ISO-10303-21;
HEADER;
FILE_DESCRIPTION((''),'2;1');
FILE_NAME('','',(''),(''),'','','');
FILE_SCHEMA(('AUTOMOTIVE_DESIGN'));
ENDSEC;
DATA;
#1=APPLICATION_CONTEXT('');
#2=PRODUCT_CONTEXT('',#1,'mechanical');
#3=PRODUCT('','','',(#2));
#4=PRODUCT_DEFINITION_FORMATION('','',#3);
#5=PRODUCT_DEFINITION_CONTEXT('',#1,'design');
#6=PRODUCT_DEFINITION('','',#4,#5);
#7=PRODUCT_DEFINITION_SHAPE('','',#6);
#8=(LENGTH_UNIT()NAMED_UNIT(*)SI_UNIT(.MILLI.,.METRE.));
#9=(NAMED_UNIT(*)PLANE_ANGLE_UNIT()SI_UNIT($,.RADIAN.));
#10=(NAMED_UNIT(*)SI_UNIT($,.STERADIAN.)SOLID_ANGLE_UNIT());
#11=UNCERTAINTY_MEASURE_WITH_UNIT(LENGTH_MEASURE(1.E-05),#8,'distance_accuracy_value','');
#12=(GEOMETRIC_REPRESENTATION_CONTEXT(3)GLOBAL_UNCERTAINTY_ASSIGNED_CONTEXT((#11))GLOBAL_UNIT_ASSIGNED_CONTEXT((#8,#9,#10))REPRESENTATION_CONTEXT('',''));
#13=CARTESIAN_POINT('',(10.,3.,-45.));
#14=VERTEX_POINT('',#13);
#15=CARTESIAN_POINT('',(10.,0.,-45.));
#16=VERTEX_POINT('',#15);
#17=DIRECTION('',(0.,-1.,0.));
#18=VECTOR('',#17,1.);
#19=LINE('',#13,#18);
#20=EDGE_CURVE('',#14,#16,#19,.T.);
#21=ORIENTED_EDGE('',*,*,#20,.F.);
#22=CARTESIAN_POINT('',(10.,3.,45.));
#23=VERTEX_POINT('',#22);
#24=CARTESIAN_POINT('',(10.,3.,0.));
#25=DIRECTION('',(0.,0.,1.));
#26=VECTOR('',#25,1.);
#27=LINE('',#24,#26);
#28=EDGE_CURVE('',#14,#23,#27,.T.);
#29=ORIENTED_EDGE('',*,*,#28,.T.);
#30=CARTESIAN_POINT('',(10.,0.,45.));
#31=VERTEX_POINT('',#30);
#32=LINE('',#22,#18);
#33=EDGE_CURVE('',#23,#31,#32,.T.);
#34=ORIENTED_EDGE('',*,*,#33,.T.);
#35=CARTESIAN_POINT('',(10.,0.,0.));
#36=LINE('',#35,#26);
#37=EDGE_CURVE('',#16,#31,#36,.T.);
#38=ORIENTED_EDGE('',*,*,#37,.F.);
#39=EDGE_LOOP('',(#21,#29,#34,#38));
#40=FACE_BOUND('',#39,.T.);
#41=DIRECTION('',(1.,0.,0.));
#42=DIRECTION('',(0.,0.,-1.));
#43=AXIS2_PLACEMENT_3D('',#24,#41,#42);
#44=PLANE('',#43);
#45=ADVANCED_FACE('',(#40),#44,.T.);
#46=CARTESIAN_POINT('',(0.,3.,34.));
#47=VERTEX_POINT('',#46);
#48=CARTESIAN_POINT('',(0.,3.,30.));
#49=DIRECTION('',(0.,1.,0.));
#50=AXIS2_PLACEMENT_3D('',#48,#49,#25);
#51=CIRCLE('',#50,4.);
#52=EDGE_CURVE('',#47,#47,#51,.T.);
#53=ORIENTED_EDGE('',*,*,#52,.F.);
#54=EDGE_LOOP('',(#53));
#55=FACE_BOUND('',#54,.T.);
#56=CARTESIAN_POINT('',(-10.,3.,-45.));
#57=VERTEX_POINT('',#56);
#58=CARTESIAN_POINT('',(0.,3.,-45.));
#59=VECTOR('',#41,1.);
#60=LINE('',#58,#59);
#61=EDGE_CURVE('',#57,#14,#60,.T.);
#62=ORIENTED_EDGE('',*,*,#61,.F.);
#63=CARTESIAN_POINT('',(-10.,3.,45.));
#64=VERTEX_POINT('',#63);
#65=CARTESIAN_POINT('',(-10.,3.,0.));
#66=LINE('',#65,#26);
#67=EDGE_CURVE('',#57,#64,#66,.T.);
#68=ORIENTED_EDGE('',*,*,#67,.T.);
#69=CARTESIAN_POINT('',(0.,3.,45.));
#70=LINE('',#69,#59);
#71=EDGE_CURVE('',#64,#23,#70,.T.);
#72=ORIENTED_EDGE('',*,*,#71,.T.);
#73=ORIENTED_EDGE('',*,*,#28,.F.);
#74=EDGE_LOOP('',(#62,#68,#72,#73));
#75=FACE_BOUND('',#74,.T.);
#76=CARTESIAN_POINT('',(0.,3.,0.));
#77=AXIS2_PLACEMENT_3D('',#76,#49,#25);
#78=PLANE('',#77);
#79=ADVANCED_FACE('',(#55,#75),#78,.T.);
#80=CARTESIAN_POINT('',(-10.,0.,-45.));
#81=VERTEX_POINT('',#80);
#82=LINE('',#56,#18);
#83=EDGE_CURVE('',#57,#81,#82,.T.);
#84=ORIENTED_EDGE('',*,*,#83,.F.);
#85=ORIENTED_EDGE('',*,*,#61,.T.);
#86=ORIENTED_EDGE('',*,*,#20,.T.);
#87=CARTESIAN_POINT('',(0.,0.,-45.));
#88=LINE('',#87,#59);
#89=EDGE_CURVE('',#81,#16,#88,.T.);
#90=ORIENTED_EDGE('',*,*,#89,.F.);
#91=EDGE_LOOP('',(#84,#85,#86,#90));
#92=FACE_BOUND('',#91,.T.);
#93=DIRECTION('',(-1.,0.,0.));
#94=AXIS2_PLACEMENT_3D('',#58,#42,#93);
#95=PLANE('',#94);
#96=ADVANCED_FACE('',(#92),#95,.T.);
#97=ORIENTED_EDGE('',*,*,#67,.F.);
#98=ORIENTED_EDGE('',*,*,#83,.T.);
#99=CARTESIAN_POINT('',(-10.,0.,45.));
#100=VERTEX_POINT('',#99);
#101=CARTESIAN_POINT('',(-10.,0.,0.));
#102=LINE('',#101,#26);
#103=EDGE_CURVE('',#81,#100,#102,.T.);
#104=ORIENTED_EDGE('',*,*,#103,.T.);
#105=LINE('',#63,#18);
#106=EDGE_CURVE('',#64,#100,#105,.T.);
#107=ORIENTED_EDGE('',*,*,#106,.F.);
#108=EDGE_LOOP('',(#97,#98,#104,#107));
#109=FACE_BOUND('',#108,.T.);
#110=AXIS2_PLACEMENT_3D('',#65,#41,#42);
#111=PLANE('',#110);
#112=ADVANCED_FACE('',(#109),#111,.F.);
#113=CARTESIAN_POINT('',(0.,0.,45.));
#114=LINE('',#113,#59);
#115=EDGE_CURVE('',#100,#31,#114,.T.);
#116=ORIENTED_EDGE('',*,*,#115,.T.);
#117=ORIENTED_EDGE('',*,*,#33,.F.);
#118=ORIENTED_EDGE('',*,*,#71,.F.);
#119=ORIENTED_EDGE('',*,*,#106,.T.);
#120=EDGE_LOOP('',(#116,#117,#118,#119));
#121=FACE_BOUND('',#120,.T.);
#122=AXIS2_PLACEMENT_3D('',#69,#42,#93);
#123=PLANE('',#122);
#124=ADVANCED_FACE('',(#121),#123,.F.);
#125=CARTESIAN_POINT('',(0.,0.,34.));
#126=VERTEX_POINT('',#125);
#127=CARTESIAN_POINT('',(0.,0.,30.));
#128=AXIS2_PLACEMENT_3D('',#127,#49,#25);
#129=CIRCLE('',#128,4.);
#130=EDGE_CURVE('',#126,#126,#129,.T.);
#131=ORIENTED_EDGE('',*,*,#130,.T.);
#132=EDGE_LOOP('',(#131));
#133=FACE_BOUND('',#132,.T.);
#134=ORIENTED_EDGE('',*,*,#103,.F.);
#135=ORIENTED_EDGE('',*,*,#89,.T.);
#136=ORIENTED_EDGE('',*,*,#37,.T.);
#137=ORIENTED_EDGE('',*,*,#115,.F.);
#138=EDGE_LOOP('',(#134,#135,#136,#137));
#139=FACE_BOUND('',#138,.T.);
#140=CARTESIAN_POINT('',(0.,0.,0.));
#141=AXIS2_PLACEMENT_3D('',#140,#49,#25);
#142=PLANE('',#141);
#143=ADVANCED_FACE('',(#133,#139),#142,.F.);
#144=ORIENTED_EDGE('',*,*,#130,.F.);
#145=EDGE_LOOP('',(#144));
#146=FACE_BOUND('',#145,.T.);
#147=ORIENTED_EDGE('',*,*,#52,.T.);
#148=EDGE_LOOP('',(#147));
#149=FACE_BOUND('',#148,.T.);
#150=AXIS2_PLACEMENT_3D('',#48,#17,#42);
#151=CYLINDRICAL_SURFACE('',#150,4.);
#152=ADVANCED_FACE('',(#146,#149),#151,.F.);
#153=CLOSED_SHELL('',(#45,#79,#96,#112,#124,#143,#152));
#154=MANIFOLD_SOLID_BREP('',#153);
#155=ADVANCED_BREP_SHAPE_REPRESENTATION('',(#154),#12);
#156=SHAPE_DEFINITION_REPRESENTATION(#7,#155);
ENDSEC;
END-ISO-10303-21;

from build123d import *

# Parameters (mm, degrees)
SKETCH1_W           = 20
SKETCH1_H           = 90
SKETCH1_R           = 4
BOSS_EXTRUDE1_DEPTH = 3


with BuildPart() as part:
    # Sketch1 → Boss-Extrude1 (new body)
    with BuildSketch(Plane(origin=(0, 0, 0), x_dir=(1, 0, 0), z_dir=(0, 1, 0))):
        Rectangle(SKETCH1_W, SKETCH1_H)
        with Locations(Location((0, -30, 0), (0, 0, 270))):
            Circle(SKETCH1_R, mode=Mode.SUBTRACT)
    extrude(amount=BOSS_EXTRUDE1_DEPTH)


solid = part.part
